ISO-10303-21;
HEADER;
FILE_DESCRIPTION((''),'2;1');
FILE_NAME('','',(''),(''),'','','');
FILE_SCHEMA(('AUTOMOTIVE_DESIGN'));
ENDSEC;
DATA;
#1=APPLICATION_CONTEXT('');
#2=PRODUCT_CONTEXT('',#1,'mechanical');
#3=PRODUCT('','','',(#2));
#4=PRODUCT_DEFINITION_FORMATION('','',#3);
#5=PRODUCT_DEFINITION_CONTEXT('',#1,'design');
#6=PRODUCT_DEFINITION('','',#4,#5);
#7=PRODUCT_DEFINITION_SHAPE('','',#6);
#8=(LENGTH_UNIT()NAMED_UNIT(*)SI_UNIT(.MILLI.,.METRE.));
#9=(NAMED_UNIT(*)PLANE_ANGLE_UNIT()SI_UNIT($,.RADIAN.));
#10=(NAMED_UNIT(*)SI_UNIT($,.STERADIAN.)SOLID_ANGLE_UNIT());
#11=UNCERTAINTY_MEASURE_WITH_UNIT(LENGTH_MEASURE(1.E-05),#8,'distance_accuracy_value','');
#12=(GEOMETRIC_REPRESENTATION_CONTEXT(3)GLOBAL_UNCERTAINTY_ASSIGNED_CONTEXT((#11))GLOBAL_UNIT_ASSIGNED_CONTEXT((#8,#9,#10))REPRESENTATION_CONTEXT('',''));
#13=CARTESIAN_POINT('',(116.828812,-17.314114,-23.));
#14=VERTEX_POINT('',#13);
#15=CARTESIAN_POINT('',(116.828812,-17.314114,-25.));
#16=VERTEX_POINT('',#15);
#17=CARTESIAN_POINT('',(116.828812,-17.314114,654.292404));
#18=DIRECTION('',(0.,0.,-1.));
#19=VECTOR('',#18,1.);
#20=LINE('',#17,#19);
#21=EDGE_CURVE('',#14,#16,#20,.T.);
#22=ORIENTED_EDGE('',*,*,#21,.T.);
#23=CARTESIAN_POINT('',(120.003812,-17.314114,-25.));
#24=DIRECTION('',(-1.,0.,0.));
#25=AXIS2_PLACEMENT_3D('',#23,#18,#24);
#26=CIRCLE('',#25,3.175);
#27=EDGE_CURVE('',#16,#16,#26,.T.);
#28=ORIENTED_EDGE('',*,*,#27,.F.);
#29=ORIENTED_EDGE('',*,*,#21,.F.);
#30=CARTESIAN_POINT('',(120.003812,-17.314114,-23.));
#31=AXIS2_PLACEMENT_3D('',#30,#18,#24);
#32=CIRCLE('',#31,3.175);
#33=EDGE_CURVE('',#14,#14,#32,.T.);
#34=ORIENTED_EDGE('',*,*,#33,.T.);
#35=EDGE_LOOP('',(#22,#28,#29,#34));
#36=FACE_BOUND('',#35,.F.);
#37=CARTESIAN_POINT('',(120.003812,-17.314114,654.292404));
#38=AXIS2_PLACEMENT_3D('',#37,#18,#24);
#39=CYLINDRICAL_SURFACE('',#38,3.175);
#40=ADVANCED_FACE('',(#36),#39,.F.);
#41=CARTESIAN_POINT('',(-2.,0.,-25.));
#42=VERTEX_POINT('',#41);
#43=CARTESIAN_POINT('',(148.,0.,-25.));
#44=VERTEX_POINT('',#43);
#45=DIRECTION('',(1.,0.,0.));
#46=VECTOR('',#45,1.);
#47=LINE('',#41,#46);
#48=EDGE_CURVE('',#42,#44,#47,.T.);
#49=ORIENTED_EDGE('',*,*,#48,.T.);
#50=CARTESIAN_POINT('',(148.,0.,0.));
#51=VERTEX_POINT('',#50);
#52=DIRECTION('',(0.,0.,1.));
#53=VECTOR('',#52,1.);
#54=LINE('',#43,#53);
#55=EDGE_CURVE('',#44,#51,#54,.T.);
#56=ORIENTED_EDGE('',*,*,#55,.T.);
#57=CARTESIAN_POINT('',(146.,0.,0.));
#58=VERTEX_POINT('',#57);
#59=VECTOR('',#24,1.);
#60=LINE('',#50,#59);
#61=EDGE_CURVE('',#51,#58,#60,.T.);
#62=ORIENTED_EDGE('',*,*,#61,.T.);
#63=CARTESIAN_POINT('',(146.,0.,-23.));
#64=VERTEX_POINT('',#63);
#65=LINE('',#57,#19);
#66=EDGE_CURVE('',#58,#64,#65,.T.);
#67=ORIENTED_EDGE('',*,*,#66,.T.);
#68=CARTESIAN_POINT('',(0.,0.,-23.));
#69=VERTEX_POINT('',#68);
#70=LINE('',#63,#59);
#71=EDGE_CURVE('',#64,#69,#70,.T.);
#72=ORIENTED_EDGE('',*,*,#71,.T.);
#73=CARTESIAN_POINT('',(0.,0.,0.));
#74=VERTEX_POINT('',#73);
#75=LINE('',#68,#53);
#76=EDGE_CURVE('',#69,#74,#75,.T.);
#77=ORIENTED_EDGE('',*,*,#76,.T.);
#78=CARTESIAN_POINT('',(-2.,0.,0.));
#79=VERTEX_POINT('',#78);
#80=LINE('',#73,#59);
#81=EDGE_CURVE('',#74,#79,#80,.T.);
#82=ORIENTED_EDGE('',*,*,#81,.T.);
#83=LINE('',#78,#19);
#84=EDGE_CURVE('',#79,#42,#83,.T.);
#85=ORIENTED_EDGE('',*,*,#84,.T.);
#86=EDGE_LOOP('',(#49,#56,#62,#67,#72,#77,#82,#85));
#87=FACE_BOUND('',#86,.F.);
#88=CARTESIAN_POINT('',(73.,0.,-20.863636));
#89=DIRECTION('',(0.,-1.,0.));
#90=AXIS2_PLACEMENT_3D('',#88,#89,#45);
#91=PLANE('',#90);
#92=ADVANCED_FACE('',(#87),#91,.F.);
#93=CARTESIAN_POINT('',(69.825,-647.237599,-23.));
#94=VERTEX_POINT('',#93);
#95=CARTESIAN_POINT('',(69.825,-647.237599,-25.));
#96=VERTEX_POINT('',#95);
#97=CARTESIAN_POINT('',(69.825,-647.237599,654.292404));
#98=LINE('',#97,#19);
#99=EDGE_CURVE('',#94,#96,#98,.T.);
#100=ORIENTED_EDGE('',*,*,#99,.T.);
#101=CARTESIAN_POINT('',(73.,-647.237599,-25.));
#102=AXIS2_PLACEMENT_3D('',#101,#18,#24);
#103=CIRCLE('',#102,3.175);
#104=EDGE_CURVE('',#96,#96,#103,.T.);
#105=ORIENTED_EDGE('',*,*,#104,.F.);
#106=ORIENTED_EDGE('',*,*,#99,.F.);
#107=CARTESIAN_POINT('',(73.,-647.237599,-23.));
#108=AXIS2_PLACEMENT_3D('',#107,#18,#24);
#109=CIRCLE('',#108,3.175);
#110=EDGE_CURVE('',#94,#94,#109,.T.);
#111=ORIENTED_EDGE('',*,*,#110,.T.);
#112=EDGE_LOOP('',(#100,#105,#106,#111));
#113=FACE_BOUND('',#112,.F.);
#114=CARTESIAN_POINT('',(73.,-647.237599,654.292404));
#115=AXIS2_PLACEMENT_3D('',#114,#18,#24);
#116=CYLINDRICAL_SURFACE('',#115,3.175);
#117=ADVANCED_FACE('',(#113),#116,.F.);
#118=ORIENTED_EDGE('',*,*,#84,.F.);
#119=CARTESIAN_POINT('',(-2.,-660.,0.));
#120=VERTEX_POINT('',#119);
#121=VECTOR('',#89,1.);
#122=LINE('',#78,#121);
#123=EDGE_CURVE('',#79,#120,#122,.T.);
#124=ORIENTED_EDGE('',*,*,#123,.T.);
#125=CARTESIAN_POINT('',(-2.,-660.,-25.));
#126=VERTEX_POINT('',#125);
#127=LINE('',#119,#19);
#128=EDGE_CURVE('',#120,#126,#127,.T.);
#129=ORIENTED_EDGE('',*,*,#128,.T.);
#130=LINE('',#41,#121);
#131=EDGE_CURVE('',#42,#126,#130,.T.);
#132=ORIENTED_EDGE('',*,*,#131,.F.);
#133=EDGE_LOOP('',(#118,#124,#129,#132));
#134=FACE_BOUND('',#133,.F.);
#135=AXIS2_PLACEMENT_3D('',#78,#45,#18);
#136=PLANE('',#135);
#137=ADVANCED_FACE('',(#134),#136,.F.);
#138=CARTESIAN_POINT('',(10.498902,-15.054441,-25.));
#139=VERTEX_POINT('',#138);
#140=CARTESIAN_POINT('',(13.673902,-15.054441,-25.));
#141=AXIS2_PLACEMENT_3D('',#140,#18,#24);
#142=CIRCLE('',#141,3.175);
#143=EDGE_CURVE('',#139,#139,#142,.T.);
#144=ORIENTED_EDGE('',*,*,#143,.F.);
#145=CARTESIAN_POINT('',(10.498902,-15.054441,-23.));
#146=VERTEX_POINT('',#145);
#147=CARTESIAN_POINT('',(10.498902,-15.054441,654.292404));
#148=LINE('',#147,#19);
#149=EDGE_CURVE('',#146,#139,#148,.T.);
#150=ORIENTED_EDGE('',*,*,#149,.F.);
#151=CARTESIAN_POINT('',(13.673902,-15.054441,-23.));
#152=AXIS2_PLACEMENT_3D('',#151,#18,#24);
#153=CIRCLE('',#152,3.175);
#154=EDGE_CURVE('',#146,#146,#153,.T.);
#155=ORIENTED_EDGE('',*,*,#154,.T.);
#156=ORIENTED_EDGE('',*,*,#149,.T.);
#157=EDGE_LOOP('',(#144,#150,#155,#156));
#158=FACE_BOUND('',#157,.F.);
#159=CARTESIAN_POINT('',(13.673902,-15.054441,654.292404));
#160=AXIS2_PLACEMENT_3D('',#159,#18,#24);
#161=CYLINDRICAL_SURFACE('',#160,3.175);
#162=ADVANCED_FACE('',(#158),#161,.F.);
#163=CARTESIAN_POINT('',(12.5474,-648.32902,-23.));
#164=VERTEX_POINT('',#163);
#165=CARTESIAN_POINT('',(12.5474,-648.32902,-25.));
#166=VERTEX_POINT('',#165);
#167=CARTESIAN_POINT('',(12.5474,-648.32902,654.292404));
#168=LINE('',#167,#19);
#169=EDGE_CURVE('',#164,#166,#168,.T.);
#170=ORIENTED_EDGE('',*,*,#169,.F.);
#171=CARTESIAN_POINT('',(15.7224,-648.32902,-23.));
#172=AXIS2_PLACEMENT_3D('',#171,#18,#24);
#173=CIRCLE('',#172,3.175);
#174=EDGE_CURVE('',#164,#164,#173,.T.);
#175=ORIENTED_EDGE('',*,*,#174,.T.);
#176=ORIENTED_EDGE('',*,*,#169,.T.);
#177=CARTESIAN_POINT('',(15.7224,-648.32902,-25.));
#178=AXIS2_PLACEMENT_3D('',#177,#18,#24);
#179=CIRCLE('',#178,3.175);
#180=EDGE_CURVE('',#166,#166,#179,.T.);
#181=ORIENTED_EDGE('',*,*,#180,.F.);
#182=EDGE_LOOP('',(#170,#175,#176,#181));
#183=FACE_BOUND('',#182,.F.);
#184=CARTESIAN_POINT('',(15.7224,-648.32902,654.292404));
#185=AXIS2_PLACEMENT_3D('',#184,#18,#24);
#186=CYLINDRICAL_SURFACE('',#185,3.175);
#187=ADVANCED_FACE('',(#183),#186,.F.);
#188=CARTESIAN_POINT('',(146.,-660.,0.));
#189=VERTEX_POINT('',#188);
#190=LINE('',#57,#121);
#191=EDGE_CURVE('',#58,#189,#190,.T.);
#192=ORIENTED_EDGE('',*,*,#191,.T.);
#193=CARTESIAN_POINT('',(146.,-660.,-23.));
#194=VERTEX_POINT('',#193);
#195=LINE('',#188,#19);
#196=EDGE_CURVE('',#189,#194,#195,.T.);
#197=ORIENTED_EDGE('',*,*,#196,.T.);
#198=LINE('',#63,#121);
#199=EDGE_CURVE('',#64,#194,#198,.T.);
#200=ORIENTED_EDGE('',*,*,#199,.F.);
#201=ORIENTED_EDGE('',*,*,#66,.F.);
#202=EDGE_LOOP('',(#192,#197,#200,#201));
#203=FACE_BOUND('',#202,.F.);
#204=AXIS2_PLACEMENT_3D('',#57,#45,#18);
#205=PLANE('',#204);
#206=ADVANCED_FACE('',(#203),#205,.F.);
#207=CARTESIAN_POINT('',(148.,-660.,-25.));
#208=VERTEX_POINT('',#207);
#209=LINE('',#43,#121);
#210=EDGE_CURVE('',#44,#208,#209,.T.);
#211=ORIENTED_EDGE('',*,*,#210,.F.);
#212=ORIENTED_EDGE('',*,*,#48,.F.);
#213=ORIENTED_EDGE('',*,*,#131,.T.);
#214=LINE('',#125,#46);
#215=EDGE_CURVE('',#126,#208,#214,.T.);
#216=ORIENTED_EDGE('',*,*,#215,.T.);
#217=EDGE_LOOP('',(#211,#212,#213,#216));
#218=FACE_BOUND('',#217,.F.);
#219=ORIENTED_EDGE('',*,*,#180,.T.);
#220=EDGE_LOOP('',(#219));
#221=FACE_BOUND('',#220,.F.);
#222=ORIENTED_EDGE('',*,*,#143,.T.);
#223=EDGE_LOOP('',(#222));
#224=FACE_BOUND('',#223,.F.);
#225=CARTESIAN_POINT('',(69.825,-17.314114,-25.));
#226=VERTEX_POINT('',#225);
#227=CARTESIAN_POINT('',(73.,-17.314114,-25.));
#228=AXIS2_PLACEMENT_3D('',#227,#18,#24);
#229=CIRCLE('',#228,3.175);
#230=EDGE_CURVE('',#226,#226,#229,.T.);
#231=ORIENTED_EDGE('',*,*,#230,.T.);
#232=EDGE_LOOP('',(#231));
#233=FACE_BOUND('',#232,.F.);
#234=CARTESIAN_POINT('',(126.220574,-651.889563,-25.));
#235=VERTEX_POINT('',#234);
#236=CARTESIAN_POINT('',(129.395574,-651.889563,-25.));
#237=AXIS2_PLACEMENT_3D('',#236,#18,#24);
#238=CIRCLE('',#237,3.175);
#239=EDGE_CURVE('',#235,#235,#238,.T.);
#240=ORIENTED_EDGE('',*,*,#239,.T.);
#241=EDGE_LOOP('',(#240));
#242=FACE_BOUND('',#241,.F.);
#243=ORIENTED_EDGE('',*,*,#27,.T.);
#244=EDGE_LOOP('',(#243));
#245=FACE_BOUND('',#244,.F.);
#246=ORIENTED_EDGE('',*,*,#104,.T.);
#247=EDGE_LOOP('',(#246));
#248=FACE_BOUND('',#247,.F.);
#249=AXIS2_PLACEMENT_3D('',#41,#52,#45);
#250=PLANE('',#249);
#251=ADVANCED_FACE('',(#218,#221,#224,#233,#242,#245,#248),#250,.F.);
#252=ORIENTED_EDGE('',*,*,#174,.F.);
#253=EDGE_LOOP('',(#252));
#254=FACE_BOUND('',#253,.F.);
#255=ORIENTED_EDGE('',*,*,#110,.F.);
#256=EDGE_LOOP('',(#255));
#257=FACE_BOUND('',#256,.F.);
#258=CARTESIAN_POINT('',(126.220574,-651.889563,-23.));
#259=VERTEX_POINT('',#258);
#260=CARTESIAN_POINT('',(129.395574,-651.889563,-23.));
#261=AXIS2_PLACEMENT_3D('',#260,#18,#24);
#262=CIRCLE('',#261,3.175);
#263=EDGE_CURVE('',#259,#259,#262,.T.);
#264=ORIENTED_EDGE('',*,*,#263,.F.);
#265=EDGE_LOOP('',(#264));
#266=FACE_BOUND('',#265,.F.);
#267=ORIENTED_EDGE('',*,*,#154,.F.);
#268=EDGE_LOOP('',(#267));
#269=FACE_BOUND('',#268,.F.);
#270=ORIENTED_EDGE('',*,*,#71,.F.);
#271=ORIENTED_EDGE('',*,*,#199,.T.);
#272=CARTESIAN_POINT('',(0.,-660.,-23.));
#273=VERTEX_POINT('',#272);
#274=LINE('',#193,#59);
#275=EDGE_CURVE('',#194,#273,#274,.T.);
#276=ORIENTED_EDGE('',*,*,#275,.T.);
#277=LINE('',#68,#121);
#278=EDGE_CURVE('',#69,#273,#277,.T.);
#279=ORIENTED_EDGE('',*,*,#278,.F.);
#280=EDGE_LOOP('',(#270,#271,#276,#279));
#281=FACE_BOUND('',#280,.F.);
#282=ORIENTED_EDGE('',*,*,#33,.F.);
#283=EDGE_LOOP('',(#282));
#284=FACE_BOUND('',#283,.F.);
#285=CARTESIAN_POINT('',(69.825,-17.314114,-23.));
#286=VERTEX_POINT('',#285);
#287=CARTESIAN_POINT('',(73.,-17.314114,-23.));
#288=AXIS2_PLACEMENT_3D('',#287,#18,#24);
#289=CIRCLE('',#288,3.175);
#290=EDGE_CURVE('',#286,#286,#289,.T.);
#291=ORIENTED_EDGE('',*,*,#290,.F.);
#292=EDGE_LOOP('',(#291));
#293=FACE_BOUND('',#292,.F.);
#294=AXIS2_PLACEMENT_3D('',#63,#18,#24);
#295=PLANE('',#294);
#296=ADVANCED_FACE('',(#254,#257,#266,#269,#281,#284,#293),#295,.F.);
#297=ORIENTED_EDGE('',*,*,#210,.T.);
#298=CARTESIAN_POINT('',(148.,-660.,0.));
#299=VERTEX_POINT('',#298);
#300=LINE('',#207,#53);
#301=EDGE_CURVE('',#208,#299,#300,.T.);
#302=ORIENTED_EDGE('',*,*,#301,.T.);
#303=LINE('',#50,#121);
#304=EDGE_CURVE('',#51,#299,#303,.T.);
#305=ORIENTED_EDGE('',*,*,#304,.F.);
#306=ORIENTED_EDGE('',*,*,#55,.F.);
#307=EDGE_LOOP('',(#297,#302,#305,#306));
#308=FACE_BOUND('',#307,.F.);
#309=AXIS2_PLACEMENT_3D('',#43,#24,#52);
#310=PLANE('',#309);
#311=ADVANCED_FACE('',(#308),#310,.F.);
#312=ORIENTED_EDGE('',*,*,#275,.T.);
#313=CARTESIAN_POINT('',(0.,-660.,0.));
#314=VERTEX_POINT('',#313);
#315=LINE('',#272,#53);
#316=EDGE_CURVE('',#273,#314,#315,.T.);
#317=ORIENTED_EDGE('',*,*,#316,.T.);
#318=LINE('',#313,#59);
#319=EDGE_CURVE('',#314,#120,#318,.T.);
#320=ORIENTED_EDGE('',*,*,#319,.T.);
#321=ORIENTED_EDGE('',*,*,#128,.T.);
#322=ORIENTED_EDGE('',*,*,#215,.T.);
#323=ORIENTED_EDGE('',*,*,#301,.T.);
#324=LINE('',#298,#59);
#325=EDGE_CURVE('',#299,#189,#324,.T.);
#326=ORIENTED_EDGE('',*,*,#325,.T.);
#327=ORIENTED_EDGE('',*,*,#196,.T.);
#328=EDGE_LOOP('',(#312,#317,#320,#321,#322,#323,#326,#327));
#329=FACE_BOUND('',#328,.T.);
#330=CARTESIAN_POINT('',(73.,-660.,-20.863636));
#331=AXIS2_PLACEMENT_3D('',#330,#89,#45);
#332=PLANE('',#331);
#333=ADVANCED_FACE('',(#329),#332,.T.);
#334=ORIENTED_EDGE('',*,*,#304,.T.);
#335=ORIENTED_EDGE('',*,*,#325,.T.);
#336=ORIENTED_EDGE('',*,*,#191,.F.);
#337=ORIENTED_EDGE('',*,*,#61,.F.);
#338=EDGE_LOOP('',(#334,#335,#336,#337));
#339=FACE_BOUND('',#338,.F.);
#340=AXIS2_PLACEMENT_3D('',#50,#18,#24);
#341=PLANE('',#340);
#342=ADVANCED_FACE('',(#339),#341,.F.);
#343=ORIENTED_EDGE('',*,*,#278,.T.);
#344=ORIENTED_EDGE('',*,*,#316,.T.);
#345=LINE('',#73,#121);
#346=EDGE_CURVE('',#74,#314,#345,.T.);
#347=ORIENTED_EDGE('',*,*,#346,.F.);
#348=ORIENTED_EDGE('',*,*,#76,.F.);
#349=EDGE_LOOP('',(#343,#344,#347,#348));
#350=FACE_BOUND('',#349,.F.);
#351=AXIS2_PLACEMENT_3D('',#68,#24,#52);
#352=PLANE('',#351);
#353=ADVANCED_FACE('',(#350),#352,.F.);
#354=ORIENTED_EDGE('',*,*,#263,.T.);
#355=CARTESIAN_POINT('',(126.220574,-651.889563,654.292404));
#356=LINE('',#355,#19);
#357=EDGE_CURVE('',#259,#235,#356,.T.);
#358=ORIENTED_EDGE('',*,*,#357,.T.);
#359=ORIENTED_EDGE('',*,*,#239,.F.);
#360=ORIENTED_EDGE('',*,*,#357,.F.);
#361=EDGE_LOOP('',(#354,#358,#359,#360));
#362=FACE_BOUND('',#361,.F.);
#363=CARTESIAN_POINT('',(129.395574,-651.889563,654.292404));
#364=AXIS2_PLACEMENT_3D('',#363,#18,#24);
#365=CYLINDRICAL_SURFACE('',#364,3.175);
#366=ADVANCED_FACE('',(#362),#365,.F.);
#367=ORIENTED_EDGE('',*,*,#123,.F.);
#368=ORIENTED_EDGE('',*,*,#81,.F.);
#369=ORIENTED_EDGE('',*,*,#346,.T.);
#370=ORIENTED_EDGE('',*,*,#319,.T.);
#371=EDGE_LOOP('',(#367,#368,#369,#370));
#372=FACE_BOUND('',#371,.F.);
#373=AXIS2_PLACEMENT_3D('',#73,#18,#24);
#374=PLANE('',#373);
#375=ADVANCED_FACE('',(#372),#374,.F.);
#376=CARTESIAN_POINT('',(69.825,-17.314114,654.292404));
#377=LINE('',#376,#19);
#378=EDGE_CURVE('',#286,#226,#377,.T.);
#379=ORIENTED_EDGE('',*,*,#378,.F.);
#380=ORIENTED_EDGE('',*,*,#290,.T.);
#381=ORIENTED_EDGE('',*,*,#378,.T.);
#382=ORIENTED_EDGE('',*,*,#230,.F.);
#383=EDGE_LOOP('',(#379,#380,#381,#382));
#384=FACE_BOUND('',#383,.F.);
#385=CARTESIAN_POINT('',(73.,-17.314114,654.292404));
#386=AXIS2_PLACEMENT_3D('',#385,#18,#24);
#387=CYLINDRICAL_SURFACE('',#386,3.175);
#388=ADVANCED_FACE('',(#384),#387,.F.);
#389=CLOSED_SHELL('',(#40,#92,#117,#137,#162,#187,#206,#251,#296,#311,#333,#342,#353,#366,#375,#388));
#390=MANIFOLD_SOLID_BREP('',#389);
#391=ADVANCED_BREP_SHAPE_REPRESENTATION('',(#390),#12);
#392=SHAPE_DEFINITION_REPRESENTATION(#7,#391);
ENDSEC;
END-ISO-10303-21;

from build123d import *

# Parameters (mm, degrees)
F1_DEPTH = 660
F3_D     = 6.35


with BuildPart() as f1:
    # F0 (on Front) → F1 (new body)
    with BuildSketch(Plane.XZ):
        Polygon((0, -23), (0, 0), (-2, 0), (-2, -25), (148, -25), (148, 0), (146, 0), (146, -23), align=None)
    extrude(amount=F1_DEPTH)

    # F3 (through all)
    with Locations(Plane.XY.offset(-23)):
        with Locations((15.7224, -648.32902), (73, -647.237599), (129.395574, -651.889563), (120.003812, -17.314114), (73, -17.314114), (13.673902, -15.054441)):
            Hole(F3_D / 2)


solid = f1.part
